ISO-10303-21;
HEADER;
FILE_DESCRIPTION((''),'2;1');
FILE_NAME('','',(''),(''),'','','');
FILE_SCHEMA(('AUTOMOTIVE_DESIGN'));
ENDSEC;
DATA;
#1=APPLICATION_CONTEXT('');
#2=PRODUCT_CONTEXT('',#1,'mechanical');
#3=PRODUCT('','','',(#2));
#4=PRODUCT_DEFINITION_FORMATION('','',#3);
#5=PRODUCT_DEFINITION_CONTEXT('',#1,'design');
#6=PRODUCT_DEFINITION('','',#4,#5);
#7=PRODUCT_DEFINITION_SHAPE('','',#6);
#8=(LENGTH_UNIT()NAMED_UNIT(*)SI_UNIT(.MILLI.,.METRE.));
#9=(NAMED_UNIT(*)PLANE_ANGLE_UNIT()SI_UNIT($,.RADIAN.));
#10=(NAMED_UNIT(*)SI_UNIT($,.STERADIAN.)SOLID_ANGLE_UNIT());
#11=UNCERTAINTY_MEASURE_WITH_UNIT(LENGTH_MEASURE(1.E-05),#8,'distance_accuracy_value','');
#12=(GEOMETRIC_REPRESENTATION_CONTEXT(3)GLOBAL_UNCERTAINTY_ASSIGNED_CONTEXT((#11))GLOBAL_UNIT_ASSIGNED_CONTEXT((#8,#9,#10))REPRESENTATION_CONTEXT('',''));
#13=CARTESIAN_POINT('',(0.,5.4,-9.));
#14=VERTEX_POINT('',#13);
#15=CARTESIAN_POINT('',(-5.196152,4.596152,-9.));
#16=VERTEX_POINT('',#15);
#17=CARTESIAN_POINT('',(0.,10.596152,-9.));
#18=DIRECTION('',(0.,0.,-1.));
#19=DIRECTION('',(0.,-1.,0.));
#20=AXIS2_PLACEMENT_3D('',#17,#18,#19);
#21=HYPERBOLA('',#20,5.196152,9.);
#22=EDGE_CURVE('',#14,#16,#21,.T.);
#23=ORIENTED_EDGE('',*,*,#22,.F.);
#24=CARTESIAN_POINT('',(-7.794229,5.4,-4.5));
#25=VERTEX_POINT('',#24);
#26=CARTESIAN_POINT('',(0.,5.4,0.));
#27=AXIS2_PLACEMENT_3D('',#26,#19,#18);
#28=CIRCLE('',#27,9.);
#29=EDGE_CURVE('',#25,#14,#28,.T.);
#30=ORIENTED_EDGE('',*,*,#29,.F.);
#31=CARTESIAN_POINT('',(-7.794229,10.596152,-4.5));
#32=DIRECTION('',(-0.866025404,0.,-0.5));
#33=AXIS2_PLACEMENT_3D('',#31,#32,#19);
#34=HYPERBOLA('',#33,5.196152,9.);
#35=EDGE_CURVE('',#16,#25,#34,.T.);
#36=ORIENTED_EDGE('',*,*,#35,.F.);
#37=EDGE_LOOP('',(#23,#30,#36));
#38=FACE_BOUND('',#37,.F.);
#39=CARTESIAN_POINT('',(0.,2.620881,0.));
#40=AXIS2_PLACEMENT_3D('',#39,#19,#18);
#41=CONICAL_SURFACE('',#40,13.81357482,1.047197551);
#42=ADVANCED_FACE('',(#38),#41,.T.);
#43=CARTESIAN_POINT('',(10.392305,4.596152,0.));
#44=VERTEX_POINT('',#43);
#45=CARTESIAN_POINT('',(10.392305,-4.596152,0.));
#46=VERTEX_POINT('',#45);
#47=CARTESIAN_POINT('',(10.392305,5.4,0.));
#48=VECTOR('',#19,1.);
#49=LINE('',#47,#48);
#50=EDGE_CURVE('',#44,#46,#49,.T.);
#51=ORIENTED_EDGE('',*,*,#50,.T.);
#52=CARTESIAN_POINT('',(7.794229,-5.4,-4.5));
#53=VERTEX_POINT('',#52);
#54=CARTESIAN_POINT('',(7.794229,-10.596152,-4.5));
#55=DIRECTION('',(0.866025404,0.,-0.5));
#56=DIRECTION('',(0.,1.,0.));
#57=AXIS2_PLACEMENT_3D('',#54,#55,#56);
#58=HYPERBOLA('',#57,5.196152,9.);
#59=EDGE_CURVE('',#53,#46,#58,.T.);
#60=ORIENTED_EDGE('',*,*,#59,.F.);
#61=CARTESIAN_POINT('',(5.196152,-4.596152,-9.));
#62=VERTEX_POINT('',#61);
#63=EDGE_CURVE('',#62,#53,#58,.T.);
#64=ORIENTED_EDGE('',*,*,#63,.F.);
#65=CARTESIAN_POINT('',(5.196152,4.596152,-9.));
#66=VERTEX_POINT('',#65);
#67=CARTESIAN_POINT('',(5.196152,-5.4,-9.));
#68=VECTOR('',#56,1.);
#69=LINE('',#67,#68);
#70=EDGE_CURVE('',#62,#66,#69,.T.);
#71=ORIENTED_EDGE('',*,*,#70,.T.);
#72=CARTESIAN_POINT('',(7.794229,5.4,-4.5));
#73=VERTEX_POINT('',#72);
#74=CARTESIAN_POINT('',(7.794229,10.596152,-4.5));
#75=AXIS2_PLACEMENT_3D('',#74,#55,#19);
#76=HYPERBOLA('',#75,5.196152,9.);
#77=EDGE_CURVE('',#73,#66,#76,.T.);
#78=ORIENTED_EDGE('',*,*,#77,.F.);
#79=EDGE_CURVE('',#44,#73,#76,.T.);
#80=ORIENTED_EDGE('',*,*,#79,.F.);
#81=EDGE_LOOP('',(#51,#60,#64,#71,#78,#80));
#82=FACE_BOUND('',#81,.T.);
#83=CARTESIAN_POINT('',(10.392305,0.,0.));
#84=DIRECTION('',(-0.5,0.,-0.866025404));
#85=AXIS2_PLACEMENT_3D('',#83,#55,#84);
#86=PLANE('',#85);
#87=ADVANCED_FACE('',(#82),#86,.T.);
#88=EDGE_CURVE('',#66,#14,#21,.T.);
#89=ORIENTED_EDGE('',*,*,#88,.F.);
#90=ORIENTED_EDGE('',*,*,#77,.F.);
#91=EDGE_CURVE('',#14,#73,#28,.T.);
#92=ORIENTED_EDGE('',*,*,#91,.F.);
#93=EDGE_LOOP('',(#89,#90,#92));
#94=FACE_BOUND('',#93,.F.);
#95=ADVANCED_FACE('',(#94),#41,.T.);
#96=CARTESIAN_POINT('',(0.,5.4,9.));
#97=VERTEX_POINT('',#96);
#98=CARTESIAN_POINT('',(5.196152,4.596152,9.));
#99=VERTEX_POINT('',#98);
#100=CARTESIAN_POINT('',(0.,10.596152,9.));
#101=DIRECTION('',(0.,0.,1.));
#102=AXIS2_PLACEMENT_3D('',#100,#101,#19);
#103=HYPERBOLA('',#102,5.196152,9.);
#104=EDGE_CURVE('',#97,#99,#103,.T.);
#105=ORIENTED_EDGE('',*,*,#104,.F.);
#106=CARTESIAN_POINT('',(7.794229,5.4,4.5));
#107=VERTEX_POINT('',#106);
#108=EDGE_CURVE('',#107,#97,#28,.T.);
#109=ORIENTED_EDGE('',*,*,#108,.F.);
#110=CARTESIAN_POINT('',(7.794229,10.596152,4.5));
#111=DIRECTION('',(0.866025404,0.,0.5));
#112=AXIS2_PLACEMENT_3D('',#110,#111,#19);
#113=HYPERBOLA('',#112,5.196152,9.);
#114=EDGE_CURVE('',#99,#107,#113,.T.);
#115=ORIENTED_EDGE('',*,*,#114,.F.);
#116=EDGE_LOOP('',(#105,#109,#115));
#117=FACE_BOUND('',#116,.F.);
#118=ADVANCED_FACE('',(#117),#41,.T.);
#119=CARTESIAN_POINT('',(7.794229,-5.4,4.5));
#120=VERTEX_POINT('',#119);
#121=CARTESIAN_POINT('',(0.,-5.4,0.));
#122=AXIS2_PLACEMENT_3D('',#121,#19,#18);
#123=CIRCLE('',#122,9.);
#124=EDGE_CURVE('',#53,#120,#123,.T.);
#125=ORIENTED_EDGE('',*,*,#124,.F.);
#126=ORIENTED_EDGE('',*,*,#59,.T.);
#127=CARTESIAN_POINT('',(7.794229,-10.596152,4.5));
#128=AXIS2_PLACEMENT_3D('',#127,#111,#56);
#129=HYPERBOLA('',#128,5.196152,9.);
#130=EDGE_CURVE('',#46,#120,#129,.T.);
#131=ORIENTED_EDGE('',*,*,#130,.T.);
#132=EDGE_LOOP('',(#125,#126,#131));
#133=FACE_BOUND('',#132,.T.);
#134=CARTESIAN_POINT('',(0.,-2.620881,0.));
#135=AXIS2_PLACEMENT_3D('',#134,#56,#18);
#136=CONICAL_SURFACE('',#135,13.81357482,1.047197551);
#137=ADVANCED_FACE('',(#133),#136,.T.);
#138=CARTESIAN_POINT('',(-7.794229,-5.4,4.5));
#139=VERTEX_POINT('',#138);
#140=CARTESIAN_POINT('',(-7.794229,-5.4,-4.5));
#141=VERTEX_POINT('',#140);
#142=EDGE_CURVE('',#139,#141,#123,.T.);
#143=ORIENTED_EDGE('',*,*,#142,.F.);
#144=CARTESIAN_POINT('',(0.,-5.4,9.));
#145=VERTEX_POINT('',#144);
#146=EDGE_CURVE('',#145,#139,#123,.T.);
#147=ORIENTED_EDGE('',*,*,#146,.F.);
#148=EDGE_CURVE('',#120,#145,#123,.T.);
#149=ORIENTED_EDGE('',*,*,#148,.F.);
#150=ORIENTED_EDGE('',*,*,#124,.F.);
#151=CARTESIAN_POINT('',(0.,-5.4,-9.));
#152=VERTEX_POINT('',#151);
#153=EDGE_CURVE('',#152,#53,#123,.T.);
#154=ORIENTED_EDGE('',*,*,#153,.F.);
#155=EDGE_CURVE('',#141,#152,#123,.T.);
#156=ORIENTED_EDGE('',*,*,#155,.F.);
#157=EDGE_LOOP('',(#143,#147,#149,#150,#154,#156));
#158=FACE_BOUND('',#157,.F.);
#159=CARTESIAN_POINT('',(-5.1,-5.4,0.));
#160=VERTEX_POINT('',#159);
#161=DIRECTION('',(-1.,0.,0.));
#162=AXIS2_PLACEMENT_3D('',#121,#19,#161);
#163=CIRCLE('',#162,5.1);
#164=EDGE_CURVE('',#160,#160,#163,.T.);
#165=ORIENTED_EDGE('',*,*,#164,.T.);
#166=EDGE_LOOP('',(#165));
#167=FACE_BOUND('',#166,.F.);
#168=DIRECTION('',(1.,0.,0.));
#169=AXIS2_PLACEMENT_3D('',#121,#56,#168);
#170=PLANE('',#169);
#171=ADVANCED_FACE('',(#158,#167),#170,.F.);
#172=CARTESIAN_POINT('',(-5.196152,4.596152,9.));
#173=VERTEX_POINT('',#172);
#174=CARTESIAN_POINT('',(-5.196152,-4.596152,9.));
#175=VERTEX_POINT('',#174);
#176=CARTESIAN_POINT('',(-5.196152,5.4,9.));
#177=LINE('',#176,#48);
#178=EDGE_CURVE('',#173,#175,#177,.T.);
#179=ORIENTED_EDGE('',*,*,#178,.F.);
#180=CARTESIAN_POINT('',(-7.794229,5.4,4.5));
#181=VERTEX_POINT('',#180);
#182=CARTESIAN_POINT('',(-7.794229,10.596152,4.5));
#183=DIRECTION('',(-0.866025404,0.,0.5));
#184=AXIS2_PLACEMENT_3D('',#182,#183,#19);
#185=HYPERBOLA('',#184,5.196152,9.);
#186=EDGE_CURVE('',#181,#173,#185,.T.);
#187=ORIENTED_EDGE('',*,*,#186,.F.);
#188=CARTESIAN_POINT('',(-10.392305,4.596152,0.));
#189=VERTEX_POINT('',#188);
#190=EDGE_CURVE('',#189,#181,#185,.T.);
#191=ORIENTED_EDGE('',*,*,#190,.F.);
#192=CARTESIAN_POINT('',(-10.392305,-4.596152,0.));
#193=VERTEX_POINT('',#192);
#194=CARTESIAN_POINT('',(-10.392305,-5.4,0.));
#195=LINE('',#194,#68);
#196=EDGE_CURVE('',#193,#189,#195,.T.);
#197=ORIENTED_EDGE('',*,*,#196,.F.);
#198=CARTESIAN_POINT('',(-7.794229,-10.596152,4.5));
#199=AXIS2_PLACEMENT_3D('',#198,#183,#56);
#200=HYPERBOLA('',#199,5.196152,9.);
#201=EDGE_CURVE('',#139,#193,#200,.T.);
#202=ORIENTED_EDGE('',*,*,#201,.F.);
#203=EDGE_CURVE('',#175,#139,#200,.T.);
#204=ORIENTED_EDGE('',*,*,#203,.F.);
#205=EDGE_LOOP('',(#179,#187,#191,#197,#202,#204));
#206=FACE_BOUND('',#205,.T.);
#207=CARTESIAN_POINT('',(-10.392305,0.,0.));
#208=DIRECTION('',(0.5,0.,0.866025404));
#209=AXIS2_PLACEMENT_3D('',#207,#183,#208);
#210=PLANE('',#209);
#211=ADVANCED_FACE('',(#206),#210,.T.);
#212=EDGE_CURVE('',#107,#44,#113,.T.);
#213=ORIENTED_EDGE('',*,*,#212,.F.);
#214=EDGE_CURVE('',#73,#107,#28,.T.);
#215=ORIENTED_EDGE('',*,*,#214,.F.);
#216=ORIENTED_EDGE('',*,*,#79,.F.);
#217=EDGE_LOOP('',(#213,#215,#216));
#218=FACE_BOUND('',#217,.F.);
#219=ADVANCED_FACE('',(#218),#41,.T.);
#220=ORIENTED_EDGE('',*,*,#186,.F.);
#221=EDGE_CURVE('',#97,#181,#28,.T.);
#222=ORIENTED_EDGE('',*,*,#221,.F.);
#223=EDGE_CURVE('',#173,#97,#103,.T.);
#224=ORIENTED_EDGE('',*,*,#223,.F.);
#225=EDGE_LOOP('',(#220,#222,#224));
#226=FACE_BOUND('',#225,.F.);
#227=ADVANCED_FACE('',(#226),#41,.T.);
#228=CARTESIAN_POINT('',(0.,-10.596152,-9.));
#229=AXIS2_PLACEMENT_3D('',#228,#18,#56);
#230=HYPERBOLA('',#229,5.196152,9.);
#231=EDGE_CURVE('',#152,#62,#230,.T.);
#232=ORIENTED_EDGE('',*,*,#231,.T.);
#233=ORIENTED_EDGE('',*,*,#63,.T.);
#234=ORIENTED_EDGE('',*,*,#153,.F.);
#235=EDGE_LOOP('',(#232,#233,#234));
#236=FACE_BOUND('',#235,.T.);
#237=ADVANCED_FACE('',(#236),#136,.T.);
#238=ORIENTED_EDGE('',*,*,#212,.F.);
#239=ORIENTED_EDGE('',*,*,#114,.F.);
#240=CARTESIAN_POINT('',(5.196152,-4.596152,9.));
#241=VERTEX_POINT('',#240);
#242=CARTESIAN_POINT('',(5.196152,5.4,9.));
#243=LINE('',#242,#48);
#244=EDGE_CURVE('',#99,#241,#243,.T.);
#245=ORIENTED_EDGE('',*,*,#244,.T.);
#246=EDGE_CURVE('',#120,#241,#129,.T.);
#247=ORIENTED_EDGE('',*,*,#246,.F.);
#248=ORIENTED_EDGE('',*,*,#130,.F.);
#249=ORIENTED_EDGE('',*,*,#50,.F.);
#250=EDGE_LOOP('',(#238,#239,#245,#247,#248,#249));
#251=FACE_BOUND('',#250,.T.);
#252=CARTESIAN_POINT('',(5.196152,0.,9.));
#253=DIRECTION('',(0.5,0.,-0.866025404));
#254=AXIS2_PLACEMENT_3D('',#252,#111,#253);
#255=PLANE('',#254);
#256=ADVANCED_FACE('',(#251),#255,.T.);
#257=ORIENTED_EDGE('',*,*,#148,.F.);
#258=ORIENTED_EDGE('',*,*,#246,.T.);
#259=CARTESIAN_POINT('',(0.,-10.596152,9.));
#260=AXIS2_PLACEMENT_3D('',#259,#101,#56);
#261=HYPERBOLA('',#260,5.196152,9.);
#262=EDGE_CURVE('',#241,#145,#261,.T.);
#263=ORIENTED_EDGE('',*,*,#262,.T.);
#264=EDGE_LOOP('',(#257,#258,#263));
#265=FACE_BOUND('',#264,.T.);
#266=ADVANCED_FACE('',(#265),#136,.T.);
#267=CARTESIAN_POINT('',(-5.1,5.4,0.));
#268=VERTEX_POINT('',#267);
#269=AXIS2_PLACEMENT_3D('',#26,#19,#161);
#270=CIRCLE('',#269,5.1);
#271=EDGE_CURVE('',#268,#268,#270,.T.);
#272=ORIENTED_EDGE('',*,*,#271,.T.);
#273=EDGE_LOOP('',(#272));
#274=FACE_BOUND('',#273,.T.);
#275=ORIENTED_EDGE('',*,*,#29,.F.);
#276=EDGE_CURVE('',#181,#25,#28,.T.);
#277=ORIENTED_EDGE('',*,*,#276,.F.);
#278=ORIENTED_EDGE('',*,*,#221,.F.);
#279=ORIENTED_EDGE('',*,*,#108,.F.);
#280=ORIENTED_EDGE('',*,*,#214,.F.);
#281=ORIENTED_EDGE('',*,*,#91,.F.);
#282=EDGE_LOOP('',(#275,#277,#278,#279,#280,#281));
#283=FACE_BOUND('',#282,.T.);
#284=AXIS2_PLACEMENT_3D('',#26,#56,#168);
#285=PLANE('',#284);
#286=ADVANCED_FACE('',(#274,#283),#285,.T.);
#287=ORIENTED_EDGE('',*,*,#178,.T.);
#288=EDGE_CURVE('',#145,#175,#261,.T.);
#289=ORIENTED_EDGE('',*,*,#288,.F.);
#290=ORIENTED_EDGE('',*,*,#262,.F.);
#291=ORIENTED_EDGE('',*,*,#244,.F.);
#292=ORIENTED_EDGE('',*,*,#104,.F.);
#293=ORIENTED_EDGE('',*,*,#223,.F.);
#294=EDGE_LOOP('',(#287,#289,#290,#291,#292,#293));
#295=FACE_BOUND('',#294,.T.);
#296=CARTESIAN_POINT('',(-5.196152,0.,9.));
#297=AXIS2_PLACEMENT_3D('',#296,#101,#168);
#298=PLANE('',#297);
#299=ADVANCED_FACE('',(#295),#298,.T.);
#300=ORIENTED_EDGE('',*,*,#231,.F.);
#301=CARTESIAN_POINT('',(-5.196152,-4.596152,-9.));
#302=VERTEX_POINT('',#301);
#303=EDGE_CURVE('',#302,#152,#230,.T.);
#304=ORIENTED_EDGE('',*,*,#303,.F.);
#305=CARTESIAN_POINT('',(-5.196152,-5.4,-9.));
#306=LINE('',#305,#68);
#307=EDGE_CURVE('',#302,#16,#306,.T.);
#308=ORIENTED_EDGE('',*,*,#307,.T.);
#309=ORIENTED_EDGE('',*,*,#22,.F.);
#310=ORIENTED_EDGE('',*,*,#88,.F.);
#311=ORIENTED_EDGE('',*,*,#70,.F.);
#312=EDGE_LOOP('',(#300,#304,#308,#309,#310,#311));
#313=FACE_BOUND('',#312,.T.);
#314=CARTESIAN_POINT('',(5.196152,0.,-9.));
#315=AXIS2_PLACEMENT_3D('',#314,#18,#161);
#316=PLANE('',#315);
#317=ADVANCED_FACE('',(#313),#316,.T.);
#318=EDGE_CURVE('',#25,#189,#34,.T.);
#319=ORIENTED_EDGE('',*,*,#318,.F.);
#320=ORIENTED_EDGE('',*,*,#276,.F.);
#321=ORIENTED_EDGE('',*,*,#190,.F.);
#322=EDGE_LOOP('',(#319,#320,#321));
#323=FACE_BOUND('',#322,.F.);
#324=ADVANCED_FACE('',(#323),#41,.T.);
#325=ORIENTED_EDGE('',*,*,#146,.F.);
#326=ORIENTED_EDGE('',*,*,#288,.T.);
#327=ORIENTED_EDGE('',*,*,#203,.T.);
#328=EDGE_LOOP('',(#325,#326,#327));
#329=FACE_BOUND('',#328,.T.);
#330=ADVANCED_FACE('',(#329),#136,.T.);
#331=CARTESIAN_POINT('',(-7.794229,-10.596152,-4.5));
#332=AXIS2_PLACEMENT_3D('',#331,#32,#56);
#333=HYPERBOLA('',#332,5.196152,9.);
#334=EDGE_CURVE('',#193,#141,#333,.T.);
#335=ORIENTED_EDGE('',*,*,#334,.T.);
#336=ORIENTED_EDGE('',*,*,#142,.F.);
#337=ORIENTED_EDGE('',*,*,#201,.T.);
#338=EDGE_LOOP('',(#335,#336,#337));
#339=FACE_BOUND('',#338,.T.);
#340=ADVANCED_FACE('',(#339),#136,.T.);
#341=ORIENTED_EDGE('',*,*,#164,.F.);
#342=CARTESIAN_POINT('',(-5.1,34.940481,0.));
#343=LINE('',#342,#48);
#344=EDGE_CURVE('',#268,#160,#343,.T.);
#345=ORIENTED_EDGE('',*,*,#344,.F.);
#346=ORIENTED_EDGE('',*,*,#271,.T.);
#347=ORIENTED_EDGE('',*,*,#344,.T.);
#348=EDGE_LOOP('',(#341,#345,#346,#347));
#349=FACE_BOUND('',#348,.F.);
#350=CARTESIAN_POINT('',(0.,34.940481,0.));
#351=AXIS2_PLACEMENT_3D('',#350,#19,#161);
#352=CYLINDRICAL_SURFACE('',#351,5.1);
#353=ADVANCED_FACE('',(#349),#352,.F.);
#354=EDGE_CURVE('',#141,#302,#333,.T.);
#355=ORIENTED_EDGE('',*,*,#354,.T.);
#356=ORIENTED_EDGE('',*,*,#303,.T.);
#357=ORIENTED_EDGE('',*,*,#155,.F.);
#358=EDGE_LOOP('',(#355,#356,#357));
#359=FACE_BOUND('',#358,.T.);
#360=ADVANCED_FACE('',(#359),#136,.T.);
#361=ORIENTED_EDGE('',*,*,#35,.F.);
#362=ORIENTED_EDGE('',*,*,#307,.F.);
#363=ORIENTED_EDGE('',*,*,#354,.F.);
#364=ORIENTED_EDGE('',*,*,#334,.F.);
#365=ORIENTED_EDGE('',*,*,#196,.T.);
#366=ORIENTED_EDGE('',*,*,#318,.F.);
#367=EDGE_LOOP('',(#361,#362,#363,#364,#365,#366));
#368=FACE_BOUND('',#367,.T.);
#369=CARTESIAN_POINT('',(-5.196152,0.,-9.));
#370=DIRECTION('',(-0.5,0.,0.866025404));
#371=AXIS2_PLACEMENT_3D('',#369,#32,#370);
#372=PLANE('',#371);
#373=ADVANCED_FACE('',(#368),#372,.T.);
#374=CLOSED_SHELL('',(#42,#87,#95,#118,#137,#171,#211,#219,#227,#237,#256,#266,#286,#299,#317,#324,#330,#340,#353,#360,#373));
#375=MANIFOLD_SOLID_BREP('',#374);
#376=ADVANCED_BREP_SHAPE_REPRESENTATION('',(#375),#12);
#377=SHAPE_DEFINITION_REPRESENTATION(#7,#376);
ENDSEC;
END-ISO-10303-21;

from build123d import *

# Parameters (mm, degrees)
BOSS_EXTRUDE1_DEPTH     = 5.4
M12X1_75_TAPPED_HOLE1_D = 10.2


with BuildPart() as part:
    # Sketch1 → Boss-Extrude1 (new, symmetric)
    with BuildSketch(Plane(origin=(0, 0, 0), x_dir=(1, 0, 0), z_dir=(0, 1, 0))):
        Polygon((10.392304845, 0), (5.196152423, 9), (-5.196152423, 9), (-10.392304845, 0), (-5.196152423, -9), (5.196152423, -9), align=None)
    extrude(amount=BOSS_EXTRUDE1_DEPTH, both=True)

    # Sketch2 → Cut-Revolve1 (revolve, cut)
    with BuildSketch(Plane(origin=(0, 0, 0), x_dir=(0, 0, -1), z_dir=(1, 0, 0))):
        Polygon((9, 5.4), (13.81357482, 5.4), (13.81357482, 2.620881282), align=None)
    cut_revolve1 = revolve(axis=Axis((0, 0, 0), (0, -1, 0)), mode=Mode.SUBTRACT)

    # Mirror1: Cut-Revolve1 across plane
    add(cut_revolve1.mirror(Plane.ZX), mode=Mode.SUBTRACT)

    # M12x1.75 Tapped Hole1 (through all)
    with Locations(Plane(origin=(0, 5.4, 0), x_dir=(1, 0, 0), z_dir=(0, 1, 0))):
        with Locations((0, 0)):
            Hole(M12X1_75_TAPPED_HOLE1_D / 2)


solid = part.part
